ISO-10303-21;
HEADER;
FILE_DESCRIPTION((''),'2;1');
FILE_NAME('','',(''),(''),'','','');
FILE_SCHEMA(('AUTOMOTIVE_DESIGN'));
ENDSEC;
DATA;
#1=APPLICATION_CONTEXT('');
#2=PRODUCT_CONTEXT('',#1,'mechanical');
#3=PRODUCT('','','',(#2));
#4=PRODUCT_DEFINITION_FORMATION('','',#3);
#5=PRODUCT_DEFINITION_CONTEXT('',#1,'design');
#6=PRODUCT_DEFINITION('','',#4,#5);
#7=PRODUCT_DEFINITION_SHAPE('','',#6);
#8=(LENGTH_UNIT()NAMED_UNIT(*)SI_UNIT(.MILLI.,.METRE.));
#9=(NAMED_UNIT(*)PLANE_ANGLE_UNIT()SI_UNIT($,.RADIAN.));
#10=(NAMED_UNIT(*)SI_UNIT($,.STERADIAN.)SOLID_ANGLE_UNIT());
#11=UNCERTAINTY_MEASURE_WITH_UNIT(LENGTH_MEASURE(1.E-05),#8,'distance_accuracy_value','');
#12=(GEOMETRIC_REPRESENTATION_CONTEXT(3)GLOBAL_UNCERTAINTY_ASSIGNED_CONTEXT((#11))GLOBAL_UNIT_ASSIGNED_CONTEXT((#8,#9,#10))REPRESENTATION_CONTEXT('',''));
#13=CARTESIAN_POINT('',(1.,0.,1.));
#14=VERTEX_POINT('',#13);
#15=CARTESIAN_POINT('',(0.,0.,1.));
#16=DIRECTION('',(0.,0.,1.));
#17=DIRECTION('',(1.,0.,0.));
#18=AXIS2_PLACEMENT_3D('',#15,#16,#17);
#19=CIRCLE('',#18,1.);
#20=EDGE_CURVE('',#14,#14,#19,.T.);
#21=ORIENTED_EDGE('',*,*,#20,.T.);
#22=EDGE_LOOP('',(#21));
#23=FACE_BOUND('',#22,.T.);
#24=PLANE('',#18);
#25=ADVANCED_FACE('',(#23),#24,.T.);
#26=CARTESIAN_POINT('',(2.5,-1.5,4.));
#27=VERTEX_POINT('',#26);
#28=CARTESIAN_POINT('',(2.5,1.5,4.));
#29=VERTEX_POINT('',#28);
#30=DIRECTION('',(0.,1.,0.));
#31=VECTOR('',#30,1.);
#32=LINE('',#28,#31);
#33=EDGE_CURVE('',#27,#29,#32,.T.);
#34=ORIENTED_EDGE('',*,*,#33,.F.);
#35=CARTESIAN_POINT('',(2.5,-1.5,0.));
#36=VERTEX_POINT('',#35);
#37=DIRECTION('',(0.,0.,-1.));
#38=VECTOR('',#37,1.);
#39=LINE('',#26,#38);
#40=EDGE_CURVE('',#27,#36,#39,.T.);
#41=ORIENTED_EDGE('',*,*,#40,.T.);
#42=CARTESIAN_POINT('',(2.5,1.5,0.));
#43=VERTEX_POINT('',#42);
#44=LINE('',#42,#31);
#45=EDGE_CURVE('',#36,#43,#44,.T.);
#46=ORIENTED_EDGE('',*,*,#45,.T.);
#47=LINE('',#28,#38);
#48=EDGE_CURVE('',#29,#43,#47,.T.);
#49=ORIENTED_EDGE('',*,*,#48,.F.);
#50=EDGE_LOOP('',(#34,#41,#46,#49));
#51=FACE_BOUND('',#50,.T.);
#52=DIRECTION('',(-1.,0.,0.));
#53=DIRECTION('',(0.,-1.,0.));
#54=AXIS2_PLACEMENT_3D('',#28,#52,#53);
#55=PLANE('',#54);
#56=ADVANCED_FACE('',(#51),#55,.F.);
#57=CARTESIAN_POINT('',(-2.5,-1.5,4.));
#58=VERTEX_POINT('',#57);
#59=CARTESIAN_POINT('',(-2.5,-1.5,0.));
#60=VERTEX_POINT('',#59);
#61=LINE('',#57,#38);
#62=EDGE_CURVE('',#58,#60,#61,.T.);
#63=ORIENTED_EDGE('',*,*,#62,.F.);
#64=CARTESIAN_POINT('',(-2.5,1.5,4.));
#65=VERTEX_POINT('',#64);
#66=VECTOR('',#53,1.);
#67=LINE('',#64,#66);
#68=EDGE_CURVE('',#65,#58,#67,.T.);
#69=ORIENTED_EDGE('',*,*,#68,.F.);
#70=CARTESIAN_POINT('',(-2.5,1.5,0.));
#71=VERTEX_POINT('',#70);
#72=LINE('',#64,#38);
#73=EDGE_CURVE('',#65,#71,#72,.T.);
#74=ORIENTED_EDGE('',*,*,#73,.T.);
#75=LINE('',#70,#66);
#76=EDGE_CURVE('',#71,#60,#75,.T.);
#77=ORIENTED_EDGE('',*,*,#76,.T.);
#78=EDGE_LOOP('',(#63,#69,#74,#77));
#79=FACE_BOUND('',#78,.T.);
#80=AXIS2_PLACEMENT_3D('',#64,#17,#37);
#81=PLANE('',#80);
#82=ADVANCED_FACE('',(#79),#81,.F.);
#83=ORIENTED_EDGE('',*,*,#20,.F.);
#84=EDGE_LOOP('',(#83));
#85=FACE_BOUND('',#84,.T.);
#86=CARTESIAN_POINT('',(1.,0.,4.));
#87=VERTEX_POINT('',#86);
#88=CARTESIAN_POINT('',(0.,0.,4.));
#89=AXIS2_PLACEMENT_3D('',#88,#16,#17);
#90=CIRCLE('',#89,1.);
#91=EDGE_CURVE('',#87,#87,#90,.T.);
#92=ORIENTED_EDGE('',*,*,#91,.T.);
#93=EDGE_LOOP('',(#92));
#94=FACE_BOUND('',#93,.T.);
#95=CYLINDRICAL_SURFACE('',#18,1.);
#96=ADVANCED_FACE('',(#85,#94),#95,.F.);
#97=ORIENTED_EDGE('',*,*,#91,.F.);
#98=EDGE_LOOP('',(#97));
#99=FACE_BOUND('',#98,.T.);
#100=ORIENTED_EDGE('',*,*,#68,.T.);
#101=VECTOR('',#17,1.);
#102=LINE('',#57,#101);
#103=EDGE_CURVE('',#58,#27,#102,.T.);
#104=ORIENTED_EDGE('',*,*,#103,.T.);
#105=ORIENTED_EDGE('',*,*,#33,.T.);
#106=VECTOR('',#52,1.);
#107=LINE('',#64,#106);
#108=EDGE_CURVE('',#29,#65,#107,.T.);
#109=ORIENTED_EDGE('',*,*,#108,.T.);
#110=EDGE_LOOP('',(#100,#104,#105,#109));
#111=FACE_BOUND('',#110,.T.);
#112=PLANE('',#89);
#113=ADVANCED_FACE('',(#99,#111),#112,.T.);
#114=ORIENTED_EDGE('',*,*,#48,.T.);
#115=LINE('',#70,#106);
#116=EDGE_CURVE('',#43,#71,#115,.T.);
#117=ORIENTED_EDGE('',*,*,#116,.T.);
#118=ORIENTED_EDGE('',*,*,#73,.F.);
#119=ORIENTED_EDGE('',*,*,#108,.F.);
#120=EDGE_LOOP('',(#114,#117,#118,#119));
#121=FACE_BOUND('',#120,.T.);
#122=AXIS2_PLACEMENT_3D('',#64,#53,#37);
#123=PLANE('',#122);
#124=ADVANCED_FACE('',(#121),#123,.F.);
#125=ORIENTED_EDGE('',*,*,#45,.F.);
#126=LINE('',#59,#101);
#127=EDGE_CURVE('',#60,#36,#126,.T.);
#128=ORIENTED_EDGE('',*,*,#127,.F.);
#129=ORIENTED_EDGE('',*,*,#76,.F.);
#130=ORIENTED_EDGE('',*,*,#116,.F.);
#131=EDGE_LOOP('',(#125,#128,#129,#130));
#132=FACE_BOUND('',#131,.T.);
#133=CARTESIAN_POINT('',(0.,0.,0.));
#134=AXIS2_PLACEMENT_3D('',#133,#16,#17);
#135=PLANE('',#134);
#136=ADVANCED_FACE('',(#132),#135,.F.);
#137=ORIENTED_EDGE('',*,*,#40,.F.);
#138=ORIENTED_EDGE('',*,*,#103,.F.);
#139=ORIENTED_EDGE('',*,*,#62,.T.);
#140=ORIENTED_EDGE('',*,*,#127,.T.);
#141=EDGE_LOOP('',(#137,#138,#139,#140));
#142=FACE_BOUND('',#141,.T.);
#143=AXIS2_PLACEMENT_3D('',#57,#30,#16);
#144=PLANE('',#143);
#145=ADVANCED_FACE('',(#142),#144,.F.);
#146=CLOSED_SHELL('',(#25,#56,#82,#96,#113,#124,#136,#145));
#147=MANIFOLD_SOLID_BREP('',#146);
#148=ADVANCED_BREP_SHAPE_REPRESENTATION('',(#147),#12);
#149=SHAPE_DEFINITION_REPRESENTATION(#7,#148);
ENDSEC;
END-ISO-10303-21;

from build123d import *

# Parameters (mm, degrees)
SKETCH2_W           = 5
SKETCH2_H           = 3
BOSS_EXTRUDE1_DEPTH = 4
SKETCH3_R           = 1
CUT_EXTRUDE1_DEPTH  = 3


with BuildPart() as part:
    # Sketch2 → Boss-Extrude1 (new body)
    with BuildSketch(Plane.XY):
        Rectangle(SKETCH2_W, SKETCH2_H)
    extrude(amount=BOSS_EXTRUDE1_DEPTH)

    # Sketch3 → Cut-Extrude1 (cut)
    with BuildSketch(Plane.XY.offset(4)):
        Circle(SKETCH3_R)
    extrude(amount=-CUT_EXTRUDE1_DEPTH, mode=Mode.SUBTRACT)


solid = part.part
